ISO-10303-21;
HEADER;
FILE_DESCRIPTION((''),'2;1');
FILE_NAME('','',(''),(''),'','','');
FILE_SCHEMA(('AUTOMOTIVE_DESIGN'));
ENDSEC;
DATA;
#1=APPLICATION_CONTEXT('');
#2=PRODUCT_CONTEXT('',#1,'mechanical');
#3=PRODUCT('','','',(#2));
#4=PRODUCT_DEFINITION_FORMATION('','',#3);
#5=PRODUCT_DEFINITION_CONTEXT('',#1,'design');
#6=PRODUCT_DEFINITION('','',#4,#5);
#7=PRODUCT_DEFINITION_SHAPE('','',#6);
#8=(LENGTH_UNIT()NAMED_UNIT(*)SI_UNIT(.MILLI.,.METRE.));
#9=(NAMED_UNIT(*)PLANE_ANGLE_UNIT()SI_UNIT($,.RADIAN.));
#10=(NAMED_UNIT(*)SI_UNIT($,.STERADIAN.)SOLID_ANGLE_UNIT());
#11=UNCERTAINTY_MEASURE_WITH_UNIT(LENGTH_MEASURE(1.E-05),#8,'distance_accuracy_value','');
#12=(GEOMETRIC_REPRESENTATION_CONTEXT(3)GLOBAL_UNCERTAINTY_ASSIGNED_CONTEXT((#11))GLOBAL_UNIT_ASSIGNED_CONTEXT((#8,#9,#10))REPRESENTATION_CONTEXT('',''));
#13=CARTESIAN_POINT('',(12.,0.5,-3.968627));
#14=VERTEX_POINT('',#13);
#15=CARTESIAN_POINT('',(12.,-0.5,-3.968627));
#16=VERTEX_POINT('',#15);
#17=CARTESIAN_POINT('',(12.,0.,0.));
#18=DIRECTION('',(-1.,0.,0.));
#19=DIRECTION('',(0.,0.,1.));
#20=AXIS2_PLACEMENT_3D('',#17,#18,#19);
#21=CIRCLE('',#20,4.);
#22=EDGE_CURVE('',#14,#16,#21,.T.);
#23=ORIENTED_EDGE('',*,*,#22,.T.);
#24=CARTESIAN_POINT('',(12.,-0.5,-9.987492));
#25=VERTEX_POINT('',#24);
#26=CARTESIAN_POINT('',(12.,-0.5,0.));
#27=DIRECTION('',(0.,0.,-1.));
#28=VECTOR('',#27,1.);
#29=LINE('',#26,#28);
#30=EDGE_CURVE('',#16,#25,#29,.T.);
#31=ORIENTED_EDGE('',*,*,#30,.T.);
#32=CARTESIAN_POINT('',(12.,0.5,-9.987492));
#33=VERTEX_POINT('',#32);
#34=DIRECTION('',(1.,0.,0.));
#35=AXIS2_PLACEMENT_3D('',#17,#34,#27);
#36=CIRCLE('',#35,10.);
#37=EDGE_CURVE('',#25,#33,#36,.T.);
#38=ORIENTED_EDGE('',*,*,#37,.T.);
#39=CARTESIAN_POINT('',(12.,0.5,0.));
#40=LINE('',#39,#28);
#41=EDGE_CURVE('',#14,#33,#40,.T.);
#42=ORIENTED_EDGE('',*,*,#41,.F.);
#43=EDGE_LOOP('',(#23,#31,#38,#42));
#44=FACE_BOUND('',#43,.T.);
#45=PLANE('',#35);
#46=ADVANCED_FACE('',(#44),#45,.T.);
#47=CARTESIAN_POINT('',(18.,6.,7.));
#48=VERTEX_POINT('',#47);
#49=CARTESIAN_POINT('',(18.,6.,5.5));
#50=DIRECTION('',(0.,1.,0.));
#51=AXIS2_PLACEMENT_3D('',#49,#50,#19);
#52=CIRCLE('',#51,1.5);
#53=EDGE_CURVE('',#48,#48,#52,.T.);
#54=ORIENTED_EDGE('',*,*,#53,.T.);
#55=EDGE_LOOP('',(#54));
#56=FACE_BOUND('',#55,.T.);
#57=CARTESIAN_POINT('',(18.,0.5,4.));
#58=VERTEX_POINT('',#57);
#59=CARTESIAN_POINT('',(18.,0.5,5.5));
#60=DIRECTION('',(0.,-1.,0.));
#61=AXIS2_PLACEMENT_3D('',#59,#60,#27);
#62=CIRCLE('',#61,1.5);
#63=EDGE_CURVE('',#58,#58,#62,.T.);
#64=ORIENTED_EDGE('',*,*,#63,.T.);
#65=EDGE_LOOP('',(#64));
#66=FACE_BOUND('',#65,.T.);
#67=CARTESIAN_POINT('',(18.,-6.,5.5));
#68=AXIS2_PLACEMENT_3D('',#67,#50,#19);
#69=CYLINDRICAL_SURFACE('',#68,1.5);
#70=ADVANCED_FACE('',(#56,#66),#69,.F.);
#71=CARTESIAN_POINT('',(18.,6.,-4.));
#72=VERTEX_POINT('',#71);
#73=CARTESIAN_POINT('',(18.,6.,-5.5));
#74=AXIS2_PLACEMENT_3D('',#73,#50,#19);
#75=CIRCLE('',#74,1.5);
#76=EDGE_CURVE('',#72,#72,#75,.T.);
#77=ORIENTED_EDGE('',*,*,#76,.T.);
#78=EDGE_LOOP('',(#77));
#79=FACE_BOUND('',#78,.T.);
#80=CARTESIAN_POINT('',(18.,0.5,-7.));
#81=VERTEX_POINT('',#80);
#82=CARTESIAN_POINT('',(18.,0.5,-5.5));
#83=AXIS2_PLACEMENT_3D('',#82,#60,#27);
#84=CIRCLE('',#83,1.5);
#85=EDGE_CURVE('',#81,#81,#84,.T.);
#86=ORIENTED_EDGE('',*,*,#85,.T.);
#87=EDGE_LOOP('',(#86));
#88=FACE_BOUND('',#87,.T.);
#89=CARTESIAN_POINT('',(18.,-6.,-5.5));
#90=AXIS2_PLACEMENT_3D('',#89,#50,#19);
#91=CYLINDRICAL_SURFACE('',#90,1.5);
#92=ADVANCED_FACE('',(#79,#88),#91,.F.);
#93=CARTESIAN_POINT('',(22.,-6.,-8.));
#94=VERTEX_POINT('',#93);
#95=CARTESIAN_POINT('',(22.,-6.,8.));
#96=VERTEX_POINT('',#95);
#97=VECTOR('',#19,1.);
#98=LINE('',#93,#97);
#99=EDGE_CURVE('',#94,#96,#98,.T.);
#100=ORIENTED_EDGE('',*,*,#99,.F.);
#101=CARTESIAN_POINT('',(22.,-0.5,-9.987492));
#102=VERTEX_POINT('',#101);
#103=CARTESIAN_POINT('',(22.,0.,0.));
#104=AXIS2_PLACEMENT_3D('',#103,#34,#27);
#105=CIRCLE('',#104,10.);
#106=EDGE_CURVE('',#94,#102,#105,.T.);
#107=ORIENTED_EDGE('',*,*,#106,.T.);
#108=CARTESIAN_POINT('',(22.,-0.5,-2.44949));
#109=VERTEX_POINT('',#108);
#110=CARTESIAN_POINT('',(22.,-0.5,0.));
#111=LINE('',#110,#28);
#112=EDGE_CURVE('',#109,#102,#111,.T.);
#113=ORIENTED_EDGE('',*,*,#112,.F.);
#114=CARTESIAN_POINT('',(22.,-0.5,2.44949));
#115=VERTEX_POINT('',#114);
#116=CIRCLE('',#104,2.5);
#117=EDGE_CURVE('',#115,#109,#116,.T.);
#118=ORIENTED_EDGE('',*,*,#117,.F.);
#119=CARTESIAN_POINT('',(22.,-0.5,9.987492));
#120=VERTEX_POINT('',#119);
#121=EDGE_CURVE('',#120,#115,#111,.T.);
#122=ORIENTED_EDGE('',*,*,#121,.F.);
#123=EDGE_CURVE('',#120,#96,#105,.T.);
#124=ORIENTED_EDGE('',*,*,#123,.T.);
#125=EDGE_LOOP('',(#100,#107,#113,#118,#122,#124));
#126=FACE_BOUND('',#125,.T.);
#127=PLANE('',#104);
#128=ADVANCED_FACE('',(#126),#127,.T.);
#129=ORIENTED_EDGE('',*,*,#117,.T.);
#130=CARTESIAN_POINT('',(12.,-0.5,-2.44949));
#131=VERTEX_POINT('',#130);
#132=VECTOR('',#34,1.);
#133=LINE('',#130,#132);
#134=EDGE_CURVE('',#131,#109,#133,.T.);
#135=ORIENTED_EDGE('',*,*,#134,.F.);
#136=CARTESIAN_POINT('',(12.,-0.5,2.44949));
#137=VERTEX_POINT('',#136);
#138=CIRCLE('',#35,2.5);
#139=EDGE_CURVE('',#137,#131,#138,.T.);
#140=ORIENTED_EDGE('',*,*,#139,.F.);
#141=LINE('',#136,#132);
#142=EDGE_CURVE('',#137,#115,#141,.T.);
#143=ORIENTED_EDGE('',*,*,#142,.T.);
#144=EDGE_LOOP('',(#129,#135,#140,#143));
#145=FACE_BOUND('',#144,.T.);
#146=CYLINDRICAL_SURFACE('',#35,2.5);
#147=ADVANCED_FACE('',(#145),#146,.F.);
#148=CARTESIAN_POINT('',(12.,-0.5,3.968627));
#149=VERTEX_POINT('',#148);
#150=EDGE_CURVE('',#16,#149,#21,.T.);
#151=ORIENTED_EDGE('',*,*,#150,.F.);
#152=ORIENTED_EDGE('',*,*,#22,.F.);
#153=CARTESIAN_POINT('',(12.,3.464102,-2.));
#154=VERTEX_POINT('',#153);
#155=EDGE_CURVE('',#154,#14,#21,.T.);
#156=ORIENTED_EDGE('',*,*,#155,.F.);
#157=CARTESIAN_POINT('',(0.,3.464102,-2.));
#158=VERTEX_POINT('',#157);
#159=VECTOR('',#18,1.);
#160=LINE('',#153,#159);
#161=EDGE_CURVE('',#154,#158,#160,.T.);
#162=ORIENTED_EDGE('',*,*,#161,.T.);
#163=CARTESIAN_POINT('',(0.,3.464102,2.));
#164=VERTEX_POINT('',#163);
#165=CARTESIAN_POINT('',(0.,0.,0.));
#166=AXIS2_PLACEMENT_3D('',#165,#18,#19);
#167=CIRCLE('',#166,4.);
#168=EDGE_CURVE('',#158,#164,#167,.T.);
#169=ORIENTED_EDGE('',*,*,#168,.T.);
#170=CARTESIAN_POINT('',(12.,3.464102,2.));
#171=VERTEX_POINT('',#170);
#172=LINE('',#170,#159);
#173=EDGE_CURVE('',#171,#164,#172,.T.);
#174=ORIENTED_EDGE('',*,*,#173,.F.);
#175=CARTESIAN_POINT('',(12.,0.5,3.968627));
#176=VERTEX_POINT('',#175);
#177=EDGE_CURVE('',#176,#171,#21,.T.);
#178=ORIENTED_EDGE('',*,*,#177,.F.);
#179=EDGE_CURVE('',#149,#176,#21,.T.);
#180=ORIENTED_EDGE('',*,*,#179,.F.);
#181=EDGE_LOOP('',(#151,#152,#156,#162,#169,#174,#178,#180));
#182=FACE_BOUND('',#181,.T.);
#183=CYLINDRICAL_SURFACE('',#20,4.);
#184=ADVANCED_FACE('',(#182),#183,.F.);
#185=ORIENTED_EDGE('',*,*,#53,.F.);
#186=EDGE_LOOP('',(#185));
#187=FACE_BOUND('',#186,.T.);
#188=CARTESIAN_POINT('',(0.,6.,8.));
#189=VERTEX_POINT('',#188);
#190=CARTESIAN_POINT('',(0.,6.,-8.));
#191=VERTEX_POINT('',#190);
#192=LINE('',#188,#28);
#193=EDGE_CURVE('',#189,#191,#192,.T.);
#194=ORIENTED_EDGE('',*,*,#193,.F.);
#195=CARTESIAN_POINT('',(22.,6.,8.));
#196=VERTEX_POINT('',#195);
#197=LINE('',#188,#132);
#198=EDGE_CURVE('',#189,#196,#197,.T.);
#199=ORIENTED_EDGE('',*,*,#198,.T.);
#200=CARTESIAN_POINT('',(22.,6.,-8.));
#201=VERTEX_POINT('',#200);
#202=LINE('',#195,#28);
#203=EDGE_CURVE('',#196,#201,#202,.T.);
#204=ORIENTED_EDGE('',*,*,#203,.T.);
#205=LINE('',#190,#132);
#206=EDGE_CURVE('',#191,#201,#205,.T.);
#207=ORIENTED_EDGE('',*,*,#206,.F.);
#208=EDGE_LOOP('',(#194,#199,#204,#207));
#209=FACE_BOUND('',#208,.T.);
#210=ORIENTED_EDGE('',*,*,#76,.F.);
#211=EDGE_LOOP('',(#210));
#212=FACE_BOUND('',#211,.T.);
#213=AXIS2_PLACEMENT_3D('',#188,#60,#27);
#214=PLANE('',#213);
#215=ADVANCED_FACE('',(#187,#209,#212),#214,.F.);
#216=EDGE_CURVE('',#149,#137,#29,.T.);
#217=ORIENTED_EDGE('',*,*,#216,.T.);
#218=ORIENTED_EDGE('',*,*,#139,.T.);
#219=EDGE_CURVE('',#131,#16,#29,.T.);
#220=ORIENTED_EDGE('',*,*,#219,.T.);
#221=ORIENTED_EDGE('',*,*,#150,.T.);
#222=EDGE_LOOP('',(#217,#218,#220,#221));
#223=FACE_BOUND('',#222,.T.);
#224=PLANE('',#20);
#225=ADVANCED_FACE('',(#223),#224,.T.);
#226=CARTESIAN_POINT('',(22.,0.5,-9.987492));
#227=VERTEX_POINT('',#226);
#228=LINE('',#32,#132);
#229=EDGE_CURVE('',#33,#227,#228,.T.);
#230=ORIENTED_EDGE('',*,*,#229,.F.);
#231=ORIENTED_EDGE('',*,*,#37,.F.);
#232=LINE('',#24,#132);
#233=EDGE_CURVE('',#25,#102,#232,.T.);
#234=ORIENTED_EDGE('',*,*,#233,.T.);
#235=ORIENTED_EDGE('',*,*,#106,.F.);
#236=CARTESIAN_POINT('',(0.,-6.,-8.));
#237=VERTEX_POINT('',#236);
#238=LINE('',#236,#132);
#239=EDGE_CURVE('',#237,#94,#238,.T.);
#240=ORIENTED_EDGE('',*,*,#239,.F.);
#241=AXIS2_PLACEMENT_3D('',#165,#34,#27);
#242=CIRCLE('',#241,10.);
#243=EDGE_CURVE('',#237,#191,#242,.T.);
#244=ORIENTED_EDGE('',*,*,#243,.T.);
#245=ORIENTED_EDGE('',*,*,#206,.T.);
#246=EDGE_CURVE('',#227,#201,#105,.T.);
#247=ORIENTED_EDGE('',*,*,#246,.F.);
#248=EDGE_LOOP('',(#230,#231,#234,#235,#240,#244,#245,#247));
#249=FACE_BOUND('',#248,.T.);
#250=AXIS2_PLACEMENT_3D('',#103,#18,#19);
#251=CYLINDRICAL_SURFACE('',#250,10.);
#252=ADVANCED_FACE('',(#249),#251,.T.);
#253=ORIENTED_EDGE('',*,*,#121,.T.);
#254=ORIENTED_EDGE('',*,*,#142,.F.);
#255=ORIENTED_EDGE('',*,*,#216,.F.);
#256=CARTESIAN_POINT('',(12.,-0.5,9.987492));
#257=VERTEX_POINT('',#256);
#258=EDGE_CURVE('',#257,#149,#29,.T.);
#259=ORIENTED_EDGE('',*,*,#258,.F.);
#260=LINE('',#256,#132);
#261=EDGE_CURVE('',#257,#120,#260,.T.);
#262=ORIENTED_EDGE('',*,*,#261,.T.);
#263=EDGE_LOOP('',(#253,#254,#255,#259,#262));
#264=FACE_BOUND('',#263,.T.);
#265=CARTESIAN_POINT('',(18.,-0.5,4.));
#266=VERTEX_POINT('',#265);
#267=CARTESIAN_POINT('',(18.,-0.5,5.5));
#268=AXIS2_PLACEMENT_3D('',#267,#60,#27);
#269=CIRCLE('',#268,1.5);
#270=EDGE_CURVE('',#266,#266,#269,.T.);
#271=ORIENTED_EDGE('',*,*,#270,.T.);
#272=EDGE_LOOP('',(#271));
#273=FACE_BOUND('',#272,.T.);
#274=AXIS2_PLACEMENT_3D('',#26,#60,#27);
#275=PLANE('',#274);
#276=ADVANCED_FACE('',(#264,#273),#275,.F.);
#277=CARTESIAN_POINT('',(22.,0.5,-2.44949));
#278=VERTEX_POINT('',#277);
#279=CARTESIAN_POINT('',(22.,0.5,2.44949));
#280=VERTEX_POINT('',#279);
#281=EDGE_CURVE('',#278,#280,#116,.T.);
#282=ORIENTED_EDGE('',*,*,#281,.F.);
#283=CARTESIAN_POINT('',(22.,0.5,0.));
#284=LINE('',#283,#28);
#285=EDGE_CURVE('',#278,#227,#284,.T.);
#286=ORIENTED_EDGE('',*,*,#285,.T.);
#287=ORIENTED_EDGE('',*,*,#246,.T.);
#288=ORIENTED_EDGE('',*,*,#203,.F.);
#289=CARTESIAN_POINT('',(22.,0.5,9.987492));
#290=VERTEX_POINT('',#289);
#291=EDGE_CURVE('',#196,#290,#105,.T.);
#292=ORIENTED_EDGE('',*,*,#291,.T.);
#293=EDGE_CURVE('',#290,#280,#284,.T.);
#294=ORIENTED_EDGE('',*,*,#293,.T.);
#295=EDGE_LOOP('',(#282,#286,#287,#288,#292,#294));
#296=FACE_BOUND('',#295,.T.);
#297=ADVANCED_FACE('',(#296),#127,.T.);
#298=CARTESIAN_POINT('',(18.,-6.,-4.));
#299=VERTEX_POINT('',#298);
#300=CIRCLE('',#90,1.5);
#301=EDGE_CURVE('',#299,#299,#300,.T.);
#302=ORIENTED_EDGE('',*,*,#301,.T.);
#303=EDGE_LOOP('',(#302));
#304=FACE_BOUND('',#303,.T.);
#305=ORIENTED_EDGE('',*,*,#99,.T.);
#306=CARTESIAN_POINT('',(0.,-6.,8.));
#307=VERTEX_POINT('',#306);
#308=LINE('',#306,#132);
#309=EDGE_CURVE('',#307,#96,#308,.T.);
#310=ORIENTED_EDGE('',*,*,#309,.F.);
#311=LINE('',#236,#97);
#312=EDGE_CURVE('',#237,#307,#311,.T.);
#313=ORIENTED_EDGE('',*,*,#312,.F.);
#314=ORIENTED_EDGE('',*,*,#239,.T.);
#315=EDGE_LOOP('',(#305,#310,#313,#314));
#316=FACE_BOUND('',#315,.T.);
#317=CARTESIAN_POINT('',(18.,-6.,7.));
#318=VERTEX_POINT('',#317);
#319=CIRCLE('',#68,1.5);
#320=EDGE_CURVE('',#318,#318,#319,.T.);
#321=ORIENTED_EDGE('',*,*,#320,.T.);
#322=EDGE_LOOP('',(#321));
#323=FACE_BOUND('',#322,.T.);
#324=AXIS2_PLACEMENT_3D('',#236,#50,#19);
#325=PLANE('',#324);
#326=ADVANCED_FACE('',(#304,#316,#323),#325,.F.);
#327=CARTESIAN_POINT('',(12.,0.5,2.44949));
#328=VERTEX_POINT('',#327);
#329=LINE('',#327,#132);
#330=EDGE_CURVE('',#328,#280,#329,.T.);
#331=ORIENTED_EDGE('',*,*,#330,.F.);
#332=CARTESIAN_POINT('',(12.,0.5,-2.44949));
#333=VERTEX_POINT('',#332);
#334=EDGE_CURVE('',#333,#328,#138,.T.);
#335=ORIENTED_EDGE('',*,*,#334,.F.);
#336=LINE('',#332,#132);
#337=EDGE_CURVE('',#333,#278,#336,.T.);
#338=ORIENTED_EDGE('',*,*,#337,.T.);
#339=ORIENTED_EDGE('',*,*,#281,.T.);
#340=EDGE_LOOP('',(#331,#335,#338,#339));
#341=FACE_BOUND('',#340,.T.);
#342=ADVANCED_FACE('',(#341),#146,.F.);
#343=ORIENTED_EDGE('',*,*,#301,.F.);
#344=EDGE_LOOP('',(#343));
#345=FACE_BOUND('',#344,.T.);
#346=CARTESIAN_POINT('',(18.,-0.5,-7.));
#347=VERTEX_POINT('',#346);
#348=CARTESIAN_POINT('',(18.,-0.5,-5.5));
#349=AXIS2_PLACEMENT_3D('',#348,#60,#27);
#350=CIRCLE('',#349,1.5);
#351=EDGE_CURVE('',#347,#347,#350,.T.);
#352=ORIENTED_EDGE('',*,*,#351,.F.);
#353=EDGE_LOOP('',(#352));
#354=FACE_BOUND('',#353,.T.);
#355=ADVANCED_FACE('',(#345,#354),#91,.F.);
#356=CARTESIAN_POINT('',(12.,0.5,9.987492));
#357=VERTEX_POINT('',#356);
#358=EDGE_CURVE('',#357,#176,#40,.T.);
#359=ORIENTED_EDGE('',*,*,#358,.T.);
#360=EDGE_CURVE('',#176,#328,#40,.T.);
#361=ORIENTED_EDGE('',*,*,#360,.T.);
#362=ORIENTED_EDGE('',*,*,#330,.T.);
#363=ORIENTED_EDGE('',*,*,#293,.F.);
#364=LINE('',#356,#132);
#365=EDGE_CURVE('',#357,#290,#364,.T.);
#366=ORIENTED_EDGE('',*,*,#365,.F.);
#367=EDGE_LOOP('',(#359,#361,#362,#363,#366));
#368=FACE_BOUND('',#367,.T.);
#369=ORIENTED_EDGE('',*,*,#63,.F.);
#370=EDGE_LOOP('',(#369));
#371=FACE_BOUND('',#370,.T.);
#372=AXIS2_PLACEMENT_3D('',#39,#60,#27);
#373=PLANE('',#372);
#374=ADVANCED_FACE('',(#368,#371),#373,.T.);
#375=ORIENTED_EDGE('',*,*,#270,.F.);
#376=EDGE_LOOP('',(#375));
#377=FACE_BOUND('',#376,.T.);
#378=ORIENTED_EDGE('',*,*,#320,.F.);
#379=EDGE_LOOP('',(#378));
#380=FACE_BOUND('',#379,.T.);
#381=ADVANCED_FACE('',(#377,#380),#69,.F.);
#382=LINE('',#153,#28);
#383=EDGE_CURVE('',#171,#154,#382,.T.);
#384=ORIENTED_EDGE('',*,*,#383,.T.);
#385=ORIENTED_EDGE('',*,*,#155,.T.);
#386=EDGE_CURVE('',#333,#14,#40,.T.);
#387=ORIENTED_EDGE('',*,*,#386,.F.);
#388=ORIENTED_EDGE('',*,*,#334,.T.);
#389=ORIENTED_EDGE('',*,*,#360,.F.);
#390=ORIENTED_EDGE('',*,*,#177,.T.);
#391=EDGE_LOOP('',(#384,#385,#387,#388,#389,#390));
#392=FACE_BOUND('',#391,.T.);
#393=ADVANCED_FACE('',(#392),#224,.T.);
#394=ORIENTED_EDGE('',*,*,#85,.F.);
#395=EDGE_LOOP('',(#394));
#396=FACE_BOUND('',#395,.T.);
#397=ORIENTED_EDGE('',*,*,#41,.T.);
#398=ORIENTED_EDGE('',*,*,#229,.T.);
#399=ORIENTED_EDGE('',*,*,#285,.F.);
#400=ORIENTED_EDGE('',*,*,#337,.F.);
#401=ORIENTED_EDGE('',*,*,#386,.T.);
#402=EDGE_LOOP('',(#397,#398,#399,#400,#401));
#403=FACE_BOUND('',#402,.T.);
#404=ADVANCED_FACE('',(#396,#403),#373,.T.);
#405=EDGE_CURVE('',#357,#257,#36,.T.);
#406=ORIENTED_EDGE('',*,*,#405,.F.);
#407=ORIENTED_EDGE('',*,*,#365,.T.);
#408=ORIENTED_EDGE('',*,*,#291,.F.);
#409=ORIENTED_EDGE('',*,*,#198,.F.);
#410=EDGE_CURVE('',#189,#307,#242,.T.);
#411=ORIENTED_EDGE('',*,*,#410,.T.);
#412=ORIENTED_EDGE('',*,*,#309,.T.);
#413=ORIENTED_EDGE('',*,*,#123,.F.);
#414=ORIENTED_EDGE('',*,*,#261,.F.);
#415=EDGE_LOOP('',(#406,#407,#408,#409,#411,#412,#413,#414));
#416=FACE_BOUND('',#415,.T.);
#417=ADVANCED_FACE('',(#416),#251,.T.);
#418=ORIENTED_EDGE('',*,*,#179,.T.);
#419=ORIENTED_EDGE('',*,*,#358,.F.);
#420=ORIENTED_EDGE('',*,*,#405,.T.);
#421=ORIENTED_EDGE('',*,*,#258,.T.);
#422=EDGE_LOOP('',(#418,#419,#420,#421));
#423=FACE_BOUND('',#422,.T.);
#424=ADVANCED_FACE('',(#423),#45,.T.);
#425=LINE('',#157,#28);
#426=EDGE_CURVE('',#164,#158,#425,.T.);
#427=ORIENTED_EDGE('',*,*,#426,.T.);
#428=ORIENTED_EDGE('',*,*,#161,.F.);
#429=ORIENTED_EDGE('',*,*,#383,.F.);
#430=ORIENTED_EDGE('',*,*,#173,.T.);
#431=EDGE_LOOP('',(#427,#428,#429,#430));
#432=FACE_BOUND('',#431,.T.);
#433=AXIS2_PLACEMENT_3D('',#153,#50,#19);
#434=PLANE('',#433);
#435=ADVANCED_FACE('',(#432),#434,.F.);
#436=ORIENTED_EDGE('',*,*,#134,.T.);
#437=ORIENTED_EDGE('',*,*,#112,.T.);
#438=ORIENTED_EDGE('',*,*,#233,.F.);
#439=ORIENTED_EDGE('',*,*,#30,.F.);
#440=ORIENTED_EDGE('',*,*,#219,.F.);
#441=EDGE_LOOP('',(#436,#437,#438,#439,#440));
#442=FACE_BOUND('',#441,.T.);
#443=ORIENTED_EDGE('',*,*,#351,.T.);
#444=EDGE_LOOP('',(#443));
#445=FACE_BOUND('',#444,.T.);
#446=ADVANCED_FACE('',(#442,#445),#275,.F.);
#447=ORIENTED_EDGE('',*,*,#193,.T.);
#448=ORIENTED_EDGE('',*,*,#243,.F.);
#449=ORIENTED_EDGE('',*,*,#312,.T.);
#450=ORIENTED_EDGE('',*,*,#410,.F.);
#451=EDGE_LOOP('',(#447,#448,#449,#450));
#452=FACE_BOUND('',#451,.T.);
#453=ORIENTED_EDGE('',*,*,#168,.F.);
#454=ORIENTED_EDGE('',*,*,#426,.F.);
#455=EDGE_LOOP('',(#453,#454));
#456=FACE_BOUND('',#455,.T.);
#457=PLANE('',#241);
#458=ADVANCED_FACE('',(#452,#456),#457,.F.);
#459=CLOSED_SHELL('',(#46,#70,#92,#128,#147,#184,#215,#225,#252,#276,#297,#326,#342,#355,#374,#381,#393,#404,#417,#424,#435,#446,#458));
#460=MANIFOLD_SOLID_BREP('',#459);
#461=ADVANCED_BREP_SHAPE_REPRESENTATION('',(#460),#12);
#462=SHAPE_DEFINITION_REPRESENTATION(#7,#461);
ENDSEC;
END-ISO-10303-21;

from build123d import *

# Parameters (mm, degrees)
SKETCH1_R           = 10
BOSS_EXTRUDE1_DEPTH = 22
CUT_EXTRUDE1_DEPTH  = 12
CUT_EXTRUDE2_DEPTH  = 10
SKETCH5_W           = 16
SKETCH5_H           = 4
CUT_EXTRUDE4_DEPTH  = 23
SKETCH4_R           = 1.5
CUT_EXTRUDE3_DEPTH  = 13


with BuildPart() as part:
    # Sketch1 → Boss-Extrude1 (new body)
    with BuildSketch(Plane(origin=(0, 0, 0), x_dir=(0, 0, -1), z_dir=(1, 0, 0))):
        Circle(SKETCH1_R)
    extrude(amount=BOSS_EXTRUDE1_DEPTH)

    # Sketch2 → Cut-Extrude1 (cut)
    with BuildSketch(Plane.ZY):
        with BuildLine():
            Line((-2, 3.464101615), (2, 3.464101615))
            ThreePointArc((2, 3.464101615), (0, -4), (-2, 3.464101615))
        make_face()
    extrude(amount=-CUT_EXTRUDE1_DEPTH, mode=Mode.SUBTRACT)

    # Sketch3 → Cut-Extrude2 (cut)
    with BuildSketch(Plane(origin=(22, 0, 0), x_dir=(0, 0, -1), z_dir=(1, 0, 0))):
        with BuildLine():
            Line((-2.449489743, 0.5), (-9.987492178, 0.5))
            ThreePointArc((-9.987492178, 0.5), (-9.996872555, 0.250078211), (-10, 0))
            ThreePointArc((-10, 0), (-9.996872555, -0.250078211), (-9.987492178, -0.5))
            Line((-9.987492178, -0.5), (-2.449489743, -0.5))
            ThreePointArc((-2.449489743, -0.5), (-2.5, 0), (-2.449489743, 0.5))
        make_face()
        with BuildLine():
            ThreePointArc((10, 0), (9.996872555, 0.250078211), (9.987492178, 0.5))
            Line((9.987492178, 0.5), (2.449489743, 0.5))
            ThreePointArc((2.449489743, 0.5), (2.487340383, 0.251272405), (2.5, 0))
            ThreePointArc((2.5, 0), (2.487340383, -0.251272405), (2.449489743, -0.5))
            Line((2.449489743, -0.5), (9.987492178, -0.5))
            ThreePointArc((9.987492178, -0.5), (9.996872555, -0.250078211), (10, 0))
        make_face()
        with BuildLine():
            Line((2.449489743, -0.5), (-2.449489743, -0.5))
            ThreePointArc((-2.449489743, -0.5), (0, -2.5), (2.449489743, -0.5))
        make_face()
        with BuildLine():
            Line((2.449489743, 0.5), (-2.449489743, 0.5))
            ThreePointArc((-2.449489743, 0.5), (-2.5, 0), (-2.449489743, -0.5))
            Line((-2.449489743, -0.5), (2.449489743, -0.5))
            ThreePointArc((2.449489743, -0.5), (2.487340383, -0.251272405), (2.5, 0))
            ThreePointArc((2.5, 0), (2.487340383, 0.251272405), (2.449489743, 0.5))
        make_face()
        with BuildLine():
            ThreePointArc((2.449489743, 0.5), (0, 2.5), (-2.449489743, 0.5))
            Line((-2.449489743, 0.5), (2.449489743, 0.5))
        make_face()
    extrude(amount=-CUT_EXTRUDE2_DEPTH, mode=Mode.SUBTRACT)

    # Sketch5 → Cut-Extrude4 (cut, through all)
    with BuildSketch(Plane(origin=(22, 0, 0), x_dir=(0, 0, -1), z_dir=(1, 0, 0))):
        with Locations((0, 8)):
            Rectangle(SKETCH5_W, SKETCH5_H)
        with Locations((0, -8)):
            Rectangle(SKETCH5_W, SKETCH5_H)
    extrude(amount=-CUT_EXTRUDE4_DEPTH, mode=Mode.SUBTRACT)

    # Sketch4 → Cut-Extrude3 (cut, through all)
    with BuildSketch(Plane(origin=(0, 6, 0), x_dir=(1, 0, 0), z_dir=(0, 1, 0))):
        with Locations((18, 5.5)):
            Circle(SKETCH4_R)
        with Locations((18, -5.5)):
            Circle(SKETCH4_R)
    extrude(amount=-CUT_EXTRUDE3_DEPTH, mode=Mode.SUBTRACT)


solid = part.part
